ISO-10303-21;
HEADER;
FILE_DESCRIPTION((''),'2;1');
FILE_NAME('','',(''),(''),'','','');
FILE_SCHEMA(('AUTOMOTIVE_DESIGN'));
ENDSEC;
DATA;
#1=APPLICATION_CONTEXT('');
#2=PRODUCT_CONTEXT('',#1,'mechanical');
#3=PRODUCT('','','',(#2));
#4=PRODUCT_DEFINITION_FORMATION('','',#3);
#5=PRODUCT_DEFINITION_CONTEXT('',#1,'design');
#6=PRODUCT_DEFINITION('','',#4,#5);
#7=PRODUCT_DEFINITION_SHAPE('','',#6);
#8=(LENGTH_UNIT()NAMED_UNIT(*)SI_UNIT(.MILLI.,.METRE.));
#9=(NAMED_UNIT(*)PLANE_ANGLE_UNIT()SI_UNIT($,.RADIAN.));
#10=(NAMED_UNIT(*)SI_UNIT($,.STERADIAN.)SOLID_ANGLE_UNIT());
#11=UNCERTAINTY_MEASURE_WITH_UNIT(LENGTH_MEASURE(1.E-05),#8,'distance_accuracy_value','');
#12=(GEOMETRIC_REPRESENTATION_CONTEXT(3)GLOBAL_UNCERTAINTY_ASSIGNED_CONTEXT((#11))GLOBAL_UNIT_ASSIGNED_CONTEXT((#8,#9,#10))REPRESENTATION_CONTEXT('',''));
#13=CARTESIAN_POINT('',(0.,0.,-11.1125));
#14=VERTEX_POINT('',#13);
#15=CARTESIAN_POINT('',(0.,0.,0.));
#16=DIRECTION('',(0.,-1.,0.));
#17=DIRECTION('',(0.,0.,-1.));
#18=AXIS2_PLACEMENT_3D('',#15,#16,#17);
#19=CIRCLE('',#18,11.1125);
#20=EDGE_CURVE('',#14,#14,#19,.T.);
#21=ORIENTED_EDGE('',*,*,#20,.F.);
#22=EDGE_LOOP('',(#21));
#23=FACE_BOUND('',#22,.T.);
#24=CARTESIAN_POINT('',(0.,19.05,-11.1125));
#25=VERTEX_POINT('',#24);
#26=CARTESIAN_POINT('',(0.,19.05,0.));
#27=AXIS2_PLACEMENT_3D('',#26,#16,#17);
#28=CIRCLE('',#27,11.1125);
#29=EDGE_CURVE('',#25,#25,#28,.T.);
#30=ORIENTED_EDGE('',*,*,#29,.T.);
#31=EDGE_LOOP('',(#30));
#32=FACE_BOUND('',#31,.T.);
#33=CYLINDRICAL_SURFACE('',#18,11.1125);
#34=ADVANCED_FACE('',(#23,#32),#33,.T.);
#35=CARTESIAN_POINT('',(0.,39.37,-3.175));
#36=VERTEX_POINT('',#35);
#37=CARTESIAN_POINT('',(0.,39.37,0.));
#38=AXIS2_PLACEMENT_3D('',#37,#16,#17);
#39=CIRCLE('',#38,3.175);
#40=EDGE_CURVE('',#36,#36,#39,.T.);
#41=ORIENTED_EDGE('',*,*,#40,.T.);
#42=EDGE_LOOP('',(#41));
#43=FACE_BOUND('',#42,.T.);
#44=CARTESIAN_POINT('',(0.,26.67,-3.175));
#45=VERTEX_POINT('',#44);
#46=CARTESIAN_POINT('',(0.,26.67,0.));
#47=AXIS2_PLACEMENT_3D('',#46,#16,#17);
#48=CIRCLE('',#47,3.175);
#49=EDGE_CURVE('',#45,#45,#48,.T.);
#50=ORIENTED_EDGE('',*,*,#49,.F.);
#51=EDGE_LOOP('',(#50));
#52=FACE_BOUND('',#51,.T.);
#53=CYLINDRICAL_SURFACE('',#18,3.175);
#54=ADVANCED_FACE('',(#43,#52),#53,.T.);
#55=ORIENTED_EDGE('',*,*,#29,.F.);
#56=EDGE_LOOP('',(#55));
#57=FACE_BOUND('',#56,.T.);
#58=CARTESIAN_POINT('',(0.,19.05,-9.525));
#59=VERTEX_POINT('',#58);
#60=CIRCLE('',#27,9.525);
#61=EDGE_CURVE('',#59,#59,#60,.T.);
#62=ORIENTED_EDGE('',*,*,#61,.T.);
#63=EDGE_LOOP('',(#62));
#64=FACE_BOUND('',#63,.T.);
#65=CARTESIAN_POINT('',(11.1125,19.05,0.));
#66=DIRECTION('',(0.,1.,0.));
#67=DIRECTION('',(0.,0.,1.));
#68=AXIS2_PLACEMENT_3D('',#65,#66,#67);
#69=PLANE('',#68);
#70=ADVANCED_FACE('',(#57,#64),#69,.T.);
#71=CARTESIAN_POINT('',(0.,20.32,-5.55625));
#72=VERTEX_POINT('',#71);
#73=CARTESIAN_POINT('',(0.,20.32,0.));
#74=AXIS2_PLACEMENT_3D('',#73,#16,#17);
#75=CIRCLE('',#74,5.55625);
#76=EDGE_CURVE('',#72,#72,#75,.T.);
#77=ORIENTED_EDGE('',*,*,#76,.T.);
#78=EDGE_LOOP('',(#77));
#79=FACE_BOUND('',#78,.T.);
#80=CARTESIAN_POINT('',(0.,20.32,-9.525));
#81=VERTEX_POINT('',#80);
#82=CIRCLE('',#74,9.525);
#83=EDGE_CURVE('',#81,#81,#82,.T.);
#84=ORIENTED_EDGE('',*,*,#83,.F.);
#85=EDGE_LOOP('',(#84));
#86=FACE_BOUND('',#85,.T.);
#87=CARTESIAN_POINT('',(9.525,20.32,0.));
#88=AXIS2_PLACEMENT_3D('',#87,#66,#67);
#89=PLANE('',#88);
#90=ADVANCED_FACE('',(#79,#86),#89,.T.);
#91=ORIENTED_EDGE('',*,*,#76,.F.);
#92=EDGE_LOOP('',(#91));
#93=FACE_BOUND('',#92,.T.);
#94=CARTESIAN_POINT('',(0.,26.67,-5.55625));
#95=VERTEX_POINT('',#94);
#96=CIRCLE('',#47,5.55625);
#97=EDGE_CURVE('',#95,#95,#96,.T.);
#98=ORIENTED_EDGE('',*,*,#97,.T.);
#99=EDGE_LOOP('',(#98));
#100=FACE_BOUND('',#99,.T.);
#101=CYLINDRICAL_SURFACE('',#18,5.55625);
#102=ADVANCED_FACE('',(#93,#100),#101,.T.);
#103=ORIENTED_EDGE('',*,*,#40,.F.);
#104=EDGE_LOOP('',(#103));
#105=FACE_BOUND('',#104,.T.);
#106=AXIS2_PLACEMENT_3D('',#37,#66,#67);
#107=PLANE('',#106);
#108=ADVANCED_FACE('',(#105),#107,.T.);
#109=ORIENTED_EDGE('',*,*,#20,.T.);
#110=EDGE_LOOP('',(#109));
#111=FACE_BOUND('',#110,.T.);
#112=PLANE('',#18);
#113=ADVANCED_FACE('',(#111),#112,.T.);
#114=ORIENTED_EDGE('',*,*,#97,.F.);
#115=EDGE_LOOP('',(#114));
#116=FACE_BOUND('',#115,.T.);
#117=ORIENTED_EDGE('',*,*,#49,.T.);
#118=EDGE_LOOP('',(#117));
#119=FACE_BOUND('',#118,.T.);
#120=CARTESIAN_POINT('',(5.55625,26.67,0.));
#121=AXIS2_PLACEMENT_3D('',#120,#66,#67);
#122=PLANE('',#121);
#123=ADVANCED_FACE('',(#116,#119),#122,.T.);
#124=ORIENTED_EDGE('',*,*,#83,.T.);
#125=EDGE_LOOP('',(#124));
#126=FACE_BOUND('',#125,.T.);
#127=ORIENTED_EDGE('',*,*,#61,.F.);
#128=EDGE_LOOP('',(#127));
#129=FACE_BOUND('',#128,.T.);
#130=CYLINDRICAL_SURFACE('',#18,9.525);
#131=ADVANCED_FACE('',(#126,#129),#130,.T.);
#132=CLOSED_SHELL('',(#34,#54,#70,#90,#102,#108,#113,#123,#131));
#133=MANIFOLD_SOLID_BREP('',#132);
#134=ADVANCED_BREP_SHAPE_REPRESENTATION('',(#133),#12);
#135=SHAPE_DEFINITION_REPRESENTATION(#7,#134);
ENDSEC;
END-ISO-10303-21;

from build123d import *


with BuildPart() as part:
    # Sketch1 → Revolve1 (revolve)
    with BuildSketch(Plane.XY, mode=Mode.PRIVATE) as revolve1_sk:
        Polygon((11.1125, 19.05), (9.525, 19.05), (9.525, 20.32), (5.55625, 20.32), (5.55625, 26.67), (3.175, 26.67), (3.175, 39.37), (0, 39.37), (0, 0), (11.1125, 0), align=None)
    revolve(revolve1_sk.sketch.rotate(Axis((0, 0, 0), (0, 1, 0)), 90), axis=Axis((0, 0, 0), (0, 1, 0)))


solid = part.part
